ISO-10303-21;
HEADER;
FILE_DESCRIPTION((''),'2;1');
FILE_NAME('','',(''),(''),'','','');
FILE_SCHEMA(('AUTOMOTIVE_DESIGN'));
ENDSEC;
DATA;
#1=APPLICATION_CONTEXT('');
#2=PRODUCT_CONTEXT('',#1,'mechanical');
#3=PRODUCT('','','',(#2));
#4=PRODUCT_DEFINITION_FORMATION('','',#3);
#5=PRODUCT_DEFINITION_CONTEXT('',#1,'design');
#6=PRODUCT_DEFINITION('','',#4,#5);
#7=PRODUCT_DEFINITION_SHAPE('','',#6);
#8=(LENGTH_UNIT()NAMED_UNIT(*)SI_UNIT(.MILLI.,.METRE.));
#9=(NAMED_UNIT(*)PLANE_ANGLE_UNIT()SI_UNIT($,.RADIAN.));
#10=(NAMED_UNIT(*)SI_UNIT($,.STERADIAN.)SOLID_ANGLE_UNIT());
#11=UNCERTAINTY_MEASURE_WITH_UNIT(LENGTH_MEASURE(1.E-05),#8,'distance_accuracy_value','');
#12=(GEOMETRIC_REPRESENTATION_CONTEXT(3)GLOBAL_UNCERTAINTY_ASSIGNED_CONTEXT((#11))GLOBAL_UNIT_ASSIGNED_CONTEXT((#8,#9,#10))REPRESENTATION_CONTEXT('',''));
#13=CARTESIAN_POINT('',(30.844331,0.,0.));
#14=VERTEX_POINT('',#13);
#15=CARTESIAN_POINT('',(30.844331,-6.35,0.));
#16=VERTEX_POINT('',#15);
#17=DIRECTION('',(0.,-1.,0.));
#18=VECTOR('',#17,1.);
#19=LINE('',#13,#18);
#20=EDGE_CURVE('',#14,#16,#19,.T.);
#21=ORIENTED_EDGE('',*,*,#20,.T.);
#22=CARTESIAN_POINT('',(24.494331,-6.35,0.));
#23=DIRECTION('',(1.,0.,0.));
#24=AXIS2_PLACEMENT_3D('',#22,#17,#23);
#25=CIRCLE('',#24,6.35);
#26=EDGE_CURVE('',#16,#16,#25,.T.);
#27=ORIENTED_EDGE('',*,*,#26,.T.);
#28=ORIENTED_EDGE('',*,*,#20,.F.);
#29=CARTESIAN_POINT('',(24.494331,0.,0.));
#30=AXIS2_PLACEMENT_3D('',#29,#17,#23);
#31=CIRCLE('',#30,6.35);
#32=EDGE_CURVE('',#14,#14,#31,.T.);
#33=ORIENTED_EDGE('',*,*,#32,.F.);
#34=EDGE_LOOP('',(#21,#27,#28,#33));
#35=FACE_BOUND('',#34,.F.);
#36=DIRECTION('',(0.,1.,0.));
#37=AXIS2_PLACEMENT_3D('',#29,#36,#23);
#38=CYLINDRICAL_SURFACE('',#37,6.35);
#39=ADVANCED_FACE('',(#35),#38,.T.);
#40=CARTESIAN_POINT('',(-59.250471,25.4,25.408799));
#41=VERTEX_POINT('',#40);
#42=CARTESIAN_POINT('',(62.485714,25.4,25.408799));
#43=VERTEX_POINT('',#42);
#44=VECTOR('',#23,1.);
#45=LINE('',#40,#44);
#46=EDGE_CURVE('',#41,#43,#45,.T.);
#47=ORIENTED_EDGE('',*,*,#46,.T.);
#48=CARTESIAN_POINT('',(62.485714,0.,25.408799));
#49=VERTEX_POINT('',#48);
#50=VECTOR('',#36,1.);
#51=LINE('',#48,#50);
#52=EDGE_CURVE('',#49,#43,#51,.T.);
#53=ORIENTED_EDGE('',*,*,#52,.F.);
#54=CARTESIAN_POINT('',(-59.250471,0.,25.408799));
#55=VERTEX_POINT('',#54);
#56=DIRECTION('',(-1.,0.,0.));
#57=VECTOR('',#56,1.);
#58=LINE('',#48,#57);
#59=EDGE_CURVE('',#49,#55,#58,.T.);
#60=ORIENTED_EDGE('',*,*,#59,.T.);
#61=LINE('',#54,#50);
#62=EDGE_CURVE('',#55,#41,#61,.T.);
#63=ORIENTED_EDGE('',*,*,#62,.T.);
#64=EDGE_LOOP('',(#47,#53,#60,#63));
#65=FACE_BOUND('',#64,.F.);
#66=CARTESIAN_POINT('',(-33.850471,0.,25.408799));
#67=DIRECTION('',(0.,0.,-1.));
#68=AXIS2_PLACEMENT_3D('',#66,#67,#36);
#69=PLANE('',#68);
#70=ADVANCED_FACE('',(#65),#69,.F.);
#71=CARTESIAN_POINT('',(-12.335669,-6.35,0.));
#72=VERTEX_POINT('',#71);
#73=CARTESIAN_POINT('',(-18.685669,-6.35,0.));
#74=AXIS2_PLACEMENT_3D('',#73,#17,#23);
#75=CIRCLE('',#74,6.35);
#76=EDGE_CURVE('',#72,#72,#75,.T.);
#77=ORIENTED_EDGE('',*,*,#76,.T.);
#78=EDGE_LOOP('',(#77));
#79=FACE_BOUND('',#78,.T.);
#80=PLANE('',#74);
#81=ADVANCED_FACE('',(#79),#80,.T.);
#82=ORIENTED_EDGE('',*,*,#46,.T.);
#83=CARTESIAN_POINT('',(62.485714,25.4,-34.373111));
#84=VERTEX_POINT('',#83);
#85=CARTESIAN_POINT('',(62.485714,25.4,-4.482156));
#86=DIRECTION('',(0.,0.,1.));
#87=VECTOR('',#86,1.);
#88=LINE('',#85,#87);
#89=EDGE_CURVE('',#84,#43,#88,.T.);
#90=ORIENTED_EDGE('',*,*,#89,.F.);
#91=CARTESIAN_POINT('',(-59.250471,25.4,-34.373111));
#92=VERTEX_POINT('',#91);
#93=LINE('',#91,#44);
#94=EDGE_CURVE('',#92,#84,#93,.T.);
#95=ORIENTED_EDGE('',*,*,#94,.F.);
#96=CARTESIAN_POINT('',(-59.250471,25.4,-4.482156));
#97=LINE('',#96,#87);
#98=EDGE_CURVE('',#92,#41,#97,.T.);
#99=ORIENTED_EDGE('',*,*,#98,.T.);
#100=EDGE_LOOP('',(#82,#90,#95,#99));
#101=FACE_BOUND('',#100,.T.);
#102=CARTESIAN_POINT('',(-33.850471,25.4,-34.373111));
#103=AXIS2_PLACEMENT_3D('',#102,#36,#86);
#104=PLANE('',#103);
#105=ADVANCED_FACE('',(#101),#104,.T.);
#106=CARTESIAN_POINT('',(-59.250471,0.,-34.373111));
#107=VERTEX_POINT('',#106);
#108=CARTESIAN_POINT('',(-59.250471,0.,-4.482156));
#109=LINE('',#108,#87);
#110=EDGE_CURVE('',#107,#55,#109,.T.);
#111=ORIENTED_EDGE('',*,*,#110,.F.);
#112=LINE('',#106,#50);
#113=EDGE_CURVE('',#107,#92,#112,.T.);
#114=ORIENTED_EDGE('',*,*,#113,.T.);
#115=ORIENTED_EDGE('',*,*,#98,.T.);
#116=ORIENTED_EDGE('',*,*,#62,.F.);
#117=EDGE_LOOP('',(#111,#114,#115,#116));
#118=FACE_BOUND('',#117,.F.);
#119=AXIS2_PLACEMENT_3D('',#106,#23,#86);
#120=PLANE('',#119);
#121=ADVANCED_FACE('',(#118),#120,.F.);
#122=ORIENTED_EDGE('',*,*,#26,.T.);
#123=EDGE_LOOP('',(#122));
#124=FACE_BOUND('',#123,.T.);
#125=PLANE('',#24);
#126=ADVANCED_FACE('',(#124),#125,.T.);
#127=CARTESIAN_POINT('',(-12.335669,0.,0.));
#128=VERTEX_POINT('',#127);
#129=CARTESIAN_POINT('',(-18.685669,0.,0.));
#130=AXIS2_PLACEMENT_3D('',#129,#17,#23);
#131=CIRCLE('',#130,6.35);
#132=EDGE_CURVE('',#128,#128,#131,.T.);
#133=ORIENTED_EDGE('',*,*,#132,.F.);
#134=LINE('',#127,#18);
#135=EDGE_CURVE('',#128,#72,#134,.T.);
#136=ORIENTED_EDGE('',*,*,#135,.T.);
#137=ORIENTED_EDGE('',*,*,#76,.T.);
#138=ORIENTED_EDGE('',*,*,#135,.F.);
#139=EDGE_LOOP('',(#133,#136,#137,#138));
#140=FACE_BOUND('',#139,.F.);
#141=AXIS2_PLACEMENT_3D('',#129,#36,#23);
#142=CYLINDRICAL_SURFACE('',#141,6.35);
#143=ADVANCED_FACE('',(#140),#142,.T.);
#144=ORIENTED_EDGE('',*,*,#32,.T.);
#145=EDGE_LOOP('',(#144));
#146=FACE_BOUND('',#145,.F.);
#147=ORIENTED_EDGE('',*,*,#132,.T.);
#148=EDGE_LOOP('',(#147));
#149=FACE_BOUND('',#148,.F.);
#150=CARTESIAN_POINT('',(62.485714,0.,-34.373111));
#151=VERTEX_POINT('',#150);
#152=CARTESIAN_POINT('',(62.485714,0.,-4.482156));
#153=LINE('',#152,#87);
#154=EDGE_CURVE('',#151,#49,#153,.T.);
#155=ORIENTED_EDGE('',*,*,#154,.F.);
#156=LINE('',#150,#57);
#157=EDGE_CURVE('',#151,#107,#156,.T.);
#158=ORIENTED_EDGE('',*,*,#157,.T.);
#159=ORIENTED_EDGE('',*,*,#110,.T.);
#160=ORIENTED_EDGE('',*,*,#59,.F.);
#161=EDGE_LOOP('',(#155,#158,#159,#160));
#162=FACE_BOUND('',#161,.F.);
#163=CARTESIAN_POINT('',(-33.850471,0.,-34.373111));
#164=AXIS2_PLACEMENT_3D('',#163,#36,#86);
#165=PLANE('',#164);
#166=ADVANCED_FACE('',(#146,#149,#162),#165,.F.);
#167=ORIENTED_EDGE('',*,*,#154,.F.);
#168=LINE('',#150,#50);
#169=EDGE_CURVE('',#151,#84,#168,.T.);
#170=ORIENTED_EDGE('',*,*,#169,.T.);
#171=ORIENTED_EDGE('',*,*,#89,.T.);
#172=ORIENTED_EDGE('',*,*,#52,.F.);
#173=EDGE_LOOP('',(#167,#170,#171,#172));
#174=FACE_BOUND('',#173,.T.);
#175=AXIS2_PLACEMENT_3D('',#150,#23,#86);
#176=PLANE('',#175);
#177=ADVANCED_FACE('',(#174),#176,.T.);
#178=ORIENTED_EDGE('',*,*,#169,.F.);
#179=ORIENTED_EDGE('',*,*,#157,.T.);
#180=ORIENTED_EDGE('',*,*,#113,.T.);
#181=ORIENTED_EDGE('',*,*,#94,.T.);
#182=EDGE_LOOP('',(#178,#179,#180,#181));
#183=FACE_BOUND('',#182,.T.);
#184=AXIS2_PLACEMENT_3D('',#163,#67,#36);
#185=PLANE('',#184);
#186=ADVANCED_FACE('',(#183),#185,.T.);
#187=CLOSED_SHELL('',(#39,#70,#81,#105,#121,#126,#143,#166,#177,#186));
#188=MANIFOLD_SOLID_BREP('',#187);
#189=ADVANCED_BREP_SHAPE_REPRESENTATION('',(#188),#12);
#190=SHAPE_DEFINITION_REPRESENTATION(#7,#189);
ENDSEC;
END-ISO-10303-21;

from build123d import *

# Parameters (mm, degrees)
F0_W     = 70.9361852596
F0_H     = 59.7819101843
F0_R     = 6.35
F1_DEPTH = 25.4
F2_DEPTH = 6.35
F3_DEPTH = 25.4
F4_DEPTH = 25.4


with BuildPart() as f1:
    # F0 (on Front) → F1 (new body)
    with BuildSketch(Plane.XZ):
        with Locations((1.6176216304, -4.4821556658)):
            Rectangle(F0_W, F0_H)
        with Locations((-18.6856686208, 0)):
            Circle(F0_R, mode=Mode.SUBTRACT)
        with Locations((24.4943313792, 0)):
            Circle(F0_R, mode=Mode.SUBTRACT)
        with Locations((-18.6856686208, 0)):
            Circle(F0_R)
        with Locations((24.4943313792, 0)):
            Circle(F0_R)
    extrude(amount=-F1_DEPTH)

    # F0 (on Front) → F2 (join)
    with BuildSketch(Plane.XZ):
        with Locations((-18.6856686208, 0)):
            Circle(F0_R)
        with Locations((24.4943313792, 0)):
            Circle(F0_R)
    extrude(amount=F2_DEPTH)

    # F3 (add): a face of the model
    f3_faces = [f1.faces().sort_by_distance(p)[0] for p in [
        (37.0857142603, 12.7, -4.4821556658),
    ]]
    extrude(f3_faces, amount=F3_DEPTH)

    # F4 (add): a face of the model
    f4_faces = [f1.faces().sort_by_distance(p)[0] for p in [
        (-33.8504709994, 12.7, -4.4821556658),
    ]]
    extrude(f4_faces, amount=F4_DEPTH)


solid = f1.part
